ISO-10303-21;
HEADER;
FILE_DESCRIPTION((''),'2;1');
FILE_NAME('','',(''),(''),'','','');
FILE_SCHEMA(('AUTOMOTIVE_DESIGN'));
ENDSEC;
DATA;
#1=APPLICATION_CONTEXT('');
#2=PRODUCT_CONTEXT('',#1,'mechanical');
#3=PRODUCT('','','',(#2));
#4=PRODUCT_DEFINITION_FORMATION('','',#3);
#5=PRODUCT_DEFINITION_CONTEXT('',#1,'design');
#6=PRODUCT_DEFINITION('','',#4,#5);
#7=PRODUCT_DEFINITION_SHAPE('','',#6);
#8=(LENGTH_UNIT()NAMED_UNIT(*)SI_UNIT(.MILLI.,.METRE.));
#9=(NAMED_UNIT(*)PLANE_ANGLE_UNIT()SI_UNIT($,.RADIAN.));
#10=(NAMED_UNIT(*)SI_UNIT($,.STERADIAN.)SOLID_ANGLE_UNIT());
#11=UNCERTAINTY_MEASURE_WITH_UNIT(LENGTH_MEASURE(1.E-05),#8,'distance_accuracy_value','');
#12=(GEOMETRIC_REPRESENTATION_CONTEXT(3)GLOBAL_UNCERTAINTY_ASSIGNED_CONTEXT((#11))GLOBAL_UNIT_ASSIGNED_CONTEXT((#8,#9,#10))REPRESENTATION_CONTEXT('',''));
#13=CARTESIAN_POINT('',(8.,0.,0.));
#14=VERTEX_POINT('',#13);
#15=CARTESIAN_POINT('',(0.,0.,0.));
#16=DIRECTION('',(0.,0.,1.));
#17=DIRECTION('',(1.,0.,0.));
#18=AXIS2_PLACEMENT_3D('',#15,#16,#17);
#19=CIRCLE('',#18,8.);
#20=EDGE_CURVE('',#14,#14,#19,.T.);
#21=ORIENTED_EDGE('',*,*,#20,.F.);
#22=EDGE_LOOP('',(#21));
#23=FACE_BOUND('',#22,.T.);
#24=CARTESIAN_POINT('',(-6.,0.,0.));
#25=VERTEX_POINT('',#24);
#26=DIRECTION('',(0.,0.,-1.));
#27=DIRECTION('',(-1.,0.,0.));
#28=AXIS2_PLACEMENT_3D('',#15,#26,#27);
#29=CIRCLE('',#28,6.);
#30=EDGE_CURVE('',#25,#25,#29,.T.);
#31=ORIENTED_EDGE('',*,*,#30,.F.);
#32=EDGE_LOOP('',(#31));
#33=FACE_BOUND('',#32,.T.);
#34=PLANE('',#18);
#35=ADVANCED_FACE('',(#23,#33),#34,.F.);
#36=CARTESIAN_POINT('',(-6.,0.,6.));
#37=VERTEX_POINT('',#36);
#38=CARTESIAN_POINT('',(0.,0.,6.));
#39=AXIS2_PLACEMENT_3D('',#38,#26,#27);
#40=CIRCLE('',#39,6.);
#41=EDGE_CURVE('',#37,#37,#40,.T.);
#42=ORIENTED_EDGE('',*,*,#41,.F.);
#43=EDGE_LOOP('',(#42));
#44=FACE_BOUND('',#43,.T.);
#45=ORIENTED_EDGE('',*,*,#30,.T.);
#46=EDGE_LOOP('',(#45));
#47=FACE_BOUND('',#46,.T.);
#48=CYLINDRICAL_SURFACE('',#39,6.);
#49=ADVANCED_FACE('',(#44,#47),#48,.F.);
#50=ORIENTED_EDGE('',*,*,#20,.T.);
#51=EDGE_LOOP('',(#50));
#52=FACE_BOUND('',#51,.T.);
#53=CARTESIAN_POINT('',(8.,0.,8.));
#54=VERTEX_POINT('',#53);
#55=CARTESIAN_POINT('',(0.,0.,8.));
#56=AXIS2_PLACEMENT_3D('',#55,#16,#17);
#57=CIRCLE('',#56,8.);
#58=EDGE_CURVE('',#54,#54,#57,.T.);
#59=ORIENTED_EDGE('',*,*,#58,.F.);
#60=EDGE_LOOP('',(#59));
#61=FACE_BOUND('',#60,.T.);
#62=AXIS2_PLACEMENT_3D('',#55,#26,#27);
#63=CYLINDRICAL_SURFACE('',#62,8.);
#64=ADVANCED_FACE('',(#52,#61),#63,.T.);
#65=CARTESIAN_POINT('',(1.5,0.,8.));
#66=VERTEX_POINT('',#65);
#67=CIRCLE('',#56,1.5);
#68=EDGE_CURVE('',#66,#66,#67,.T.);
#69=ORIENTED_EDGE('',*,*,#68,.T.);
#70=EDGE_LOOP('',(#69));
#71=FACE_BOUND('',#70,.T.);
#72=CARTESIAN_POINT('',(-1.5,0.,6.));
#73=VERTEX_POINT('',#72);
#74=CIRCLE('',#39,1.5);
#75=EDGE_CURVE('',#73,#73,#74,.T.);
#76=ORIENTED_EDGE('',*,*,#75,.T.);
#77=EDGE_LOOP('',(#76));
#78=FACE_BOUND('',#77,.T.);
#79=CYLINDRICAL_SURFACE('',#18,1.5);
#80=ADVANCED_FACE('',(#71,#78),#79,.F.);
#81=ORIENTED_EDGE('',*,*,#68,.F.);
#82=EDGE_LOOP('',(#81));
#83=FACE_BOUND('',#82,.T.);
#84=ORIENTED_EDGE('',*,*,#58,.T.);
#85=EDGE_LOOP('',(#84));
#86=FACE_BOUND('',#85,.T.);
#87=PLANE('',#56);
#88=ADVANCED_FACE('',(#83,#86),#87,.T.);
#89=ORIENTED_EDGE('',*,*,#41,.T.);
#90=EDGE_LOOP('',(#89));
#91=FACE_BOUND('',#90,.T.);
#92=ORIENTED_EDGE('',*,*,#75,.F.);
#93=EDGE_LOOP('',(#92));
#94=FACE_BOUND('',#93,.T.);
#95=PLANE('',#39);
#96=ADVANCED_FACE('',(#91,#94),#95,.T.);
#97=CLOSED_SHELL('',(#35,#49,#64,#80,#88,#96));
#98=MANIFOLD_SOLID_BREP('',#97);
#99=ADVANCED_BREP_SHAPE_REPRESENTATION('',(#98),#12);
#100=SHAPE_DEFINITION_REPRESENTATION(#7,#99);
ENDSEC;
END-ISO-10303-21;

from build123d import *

# Parameters (mm, degrees)
SKETCH_1_R          = 8
EXTRUDE_1_DEPTH     = 8
SKETCH_2_R          = 6
CUT_EXTRUDE_1_DEPTH = 6
SKETCH_3_R          = 1.5
CUT_EXTRUDE_2_DEPTH = 14.856406461


with BuildPart() as part:
    # 草图1 → 凸台-拉伸1 (new body)
    with BuildSketch(Plane.XY):
        Circle(SKETCH_1_R)
    extrude(amount=EXTRUDE_1_DEPTH)

    # 草图2 → 切除-拉伸1 (cut)
    with BuildSketch(Plane(origin=(0, 0, 0), x_dir=(-1, 0, 0), z_dir=(0, 0, -1))):
        Circle(SKETCH_2_R)
    extrude(amount=-CUT_EXTRUDE_1_DEPTH, mode=Mode.SUBTRACT)

    # 草图3 → 切除-拉伸2 (cut, through all)
    with BuildSketch(Plane.XY.offset(8)):
        Circle(SKETCH_3_R)
    extrude(amount=-CUT_EXTRUDE_2_DEPTH, mode=Mode.SUBTRACT)


solid = part.part
